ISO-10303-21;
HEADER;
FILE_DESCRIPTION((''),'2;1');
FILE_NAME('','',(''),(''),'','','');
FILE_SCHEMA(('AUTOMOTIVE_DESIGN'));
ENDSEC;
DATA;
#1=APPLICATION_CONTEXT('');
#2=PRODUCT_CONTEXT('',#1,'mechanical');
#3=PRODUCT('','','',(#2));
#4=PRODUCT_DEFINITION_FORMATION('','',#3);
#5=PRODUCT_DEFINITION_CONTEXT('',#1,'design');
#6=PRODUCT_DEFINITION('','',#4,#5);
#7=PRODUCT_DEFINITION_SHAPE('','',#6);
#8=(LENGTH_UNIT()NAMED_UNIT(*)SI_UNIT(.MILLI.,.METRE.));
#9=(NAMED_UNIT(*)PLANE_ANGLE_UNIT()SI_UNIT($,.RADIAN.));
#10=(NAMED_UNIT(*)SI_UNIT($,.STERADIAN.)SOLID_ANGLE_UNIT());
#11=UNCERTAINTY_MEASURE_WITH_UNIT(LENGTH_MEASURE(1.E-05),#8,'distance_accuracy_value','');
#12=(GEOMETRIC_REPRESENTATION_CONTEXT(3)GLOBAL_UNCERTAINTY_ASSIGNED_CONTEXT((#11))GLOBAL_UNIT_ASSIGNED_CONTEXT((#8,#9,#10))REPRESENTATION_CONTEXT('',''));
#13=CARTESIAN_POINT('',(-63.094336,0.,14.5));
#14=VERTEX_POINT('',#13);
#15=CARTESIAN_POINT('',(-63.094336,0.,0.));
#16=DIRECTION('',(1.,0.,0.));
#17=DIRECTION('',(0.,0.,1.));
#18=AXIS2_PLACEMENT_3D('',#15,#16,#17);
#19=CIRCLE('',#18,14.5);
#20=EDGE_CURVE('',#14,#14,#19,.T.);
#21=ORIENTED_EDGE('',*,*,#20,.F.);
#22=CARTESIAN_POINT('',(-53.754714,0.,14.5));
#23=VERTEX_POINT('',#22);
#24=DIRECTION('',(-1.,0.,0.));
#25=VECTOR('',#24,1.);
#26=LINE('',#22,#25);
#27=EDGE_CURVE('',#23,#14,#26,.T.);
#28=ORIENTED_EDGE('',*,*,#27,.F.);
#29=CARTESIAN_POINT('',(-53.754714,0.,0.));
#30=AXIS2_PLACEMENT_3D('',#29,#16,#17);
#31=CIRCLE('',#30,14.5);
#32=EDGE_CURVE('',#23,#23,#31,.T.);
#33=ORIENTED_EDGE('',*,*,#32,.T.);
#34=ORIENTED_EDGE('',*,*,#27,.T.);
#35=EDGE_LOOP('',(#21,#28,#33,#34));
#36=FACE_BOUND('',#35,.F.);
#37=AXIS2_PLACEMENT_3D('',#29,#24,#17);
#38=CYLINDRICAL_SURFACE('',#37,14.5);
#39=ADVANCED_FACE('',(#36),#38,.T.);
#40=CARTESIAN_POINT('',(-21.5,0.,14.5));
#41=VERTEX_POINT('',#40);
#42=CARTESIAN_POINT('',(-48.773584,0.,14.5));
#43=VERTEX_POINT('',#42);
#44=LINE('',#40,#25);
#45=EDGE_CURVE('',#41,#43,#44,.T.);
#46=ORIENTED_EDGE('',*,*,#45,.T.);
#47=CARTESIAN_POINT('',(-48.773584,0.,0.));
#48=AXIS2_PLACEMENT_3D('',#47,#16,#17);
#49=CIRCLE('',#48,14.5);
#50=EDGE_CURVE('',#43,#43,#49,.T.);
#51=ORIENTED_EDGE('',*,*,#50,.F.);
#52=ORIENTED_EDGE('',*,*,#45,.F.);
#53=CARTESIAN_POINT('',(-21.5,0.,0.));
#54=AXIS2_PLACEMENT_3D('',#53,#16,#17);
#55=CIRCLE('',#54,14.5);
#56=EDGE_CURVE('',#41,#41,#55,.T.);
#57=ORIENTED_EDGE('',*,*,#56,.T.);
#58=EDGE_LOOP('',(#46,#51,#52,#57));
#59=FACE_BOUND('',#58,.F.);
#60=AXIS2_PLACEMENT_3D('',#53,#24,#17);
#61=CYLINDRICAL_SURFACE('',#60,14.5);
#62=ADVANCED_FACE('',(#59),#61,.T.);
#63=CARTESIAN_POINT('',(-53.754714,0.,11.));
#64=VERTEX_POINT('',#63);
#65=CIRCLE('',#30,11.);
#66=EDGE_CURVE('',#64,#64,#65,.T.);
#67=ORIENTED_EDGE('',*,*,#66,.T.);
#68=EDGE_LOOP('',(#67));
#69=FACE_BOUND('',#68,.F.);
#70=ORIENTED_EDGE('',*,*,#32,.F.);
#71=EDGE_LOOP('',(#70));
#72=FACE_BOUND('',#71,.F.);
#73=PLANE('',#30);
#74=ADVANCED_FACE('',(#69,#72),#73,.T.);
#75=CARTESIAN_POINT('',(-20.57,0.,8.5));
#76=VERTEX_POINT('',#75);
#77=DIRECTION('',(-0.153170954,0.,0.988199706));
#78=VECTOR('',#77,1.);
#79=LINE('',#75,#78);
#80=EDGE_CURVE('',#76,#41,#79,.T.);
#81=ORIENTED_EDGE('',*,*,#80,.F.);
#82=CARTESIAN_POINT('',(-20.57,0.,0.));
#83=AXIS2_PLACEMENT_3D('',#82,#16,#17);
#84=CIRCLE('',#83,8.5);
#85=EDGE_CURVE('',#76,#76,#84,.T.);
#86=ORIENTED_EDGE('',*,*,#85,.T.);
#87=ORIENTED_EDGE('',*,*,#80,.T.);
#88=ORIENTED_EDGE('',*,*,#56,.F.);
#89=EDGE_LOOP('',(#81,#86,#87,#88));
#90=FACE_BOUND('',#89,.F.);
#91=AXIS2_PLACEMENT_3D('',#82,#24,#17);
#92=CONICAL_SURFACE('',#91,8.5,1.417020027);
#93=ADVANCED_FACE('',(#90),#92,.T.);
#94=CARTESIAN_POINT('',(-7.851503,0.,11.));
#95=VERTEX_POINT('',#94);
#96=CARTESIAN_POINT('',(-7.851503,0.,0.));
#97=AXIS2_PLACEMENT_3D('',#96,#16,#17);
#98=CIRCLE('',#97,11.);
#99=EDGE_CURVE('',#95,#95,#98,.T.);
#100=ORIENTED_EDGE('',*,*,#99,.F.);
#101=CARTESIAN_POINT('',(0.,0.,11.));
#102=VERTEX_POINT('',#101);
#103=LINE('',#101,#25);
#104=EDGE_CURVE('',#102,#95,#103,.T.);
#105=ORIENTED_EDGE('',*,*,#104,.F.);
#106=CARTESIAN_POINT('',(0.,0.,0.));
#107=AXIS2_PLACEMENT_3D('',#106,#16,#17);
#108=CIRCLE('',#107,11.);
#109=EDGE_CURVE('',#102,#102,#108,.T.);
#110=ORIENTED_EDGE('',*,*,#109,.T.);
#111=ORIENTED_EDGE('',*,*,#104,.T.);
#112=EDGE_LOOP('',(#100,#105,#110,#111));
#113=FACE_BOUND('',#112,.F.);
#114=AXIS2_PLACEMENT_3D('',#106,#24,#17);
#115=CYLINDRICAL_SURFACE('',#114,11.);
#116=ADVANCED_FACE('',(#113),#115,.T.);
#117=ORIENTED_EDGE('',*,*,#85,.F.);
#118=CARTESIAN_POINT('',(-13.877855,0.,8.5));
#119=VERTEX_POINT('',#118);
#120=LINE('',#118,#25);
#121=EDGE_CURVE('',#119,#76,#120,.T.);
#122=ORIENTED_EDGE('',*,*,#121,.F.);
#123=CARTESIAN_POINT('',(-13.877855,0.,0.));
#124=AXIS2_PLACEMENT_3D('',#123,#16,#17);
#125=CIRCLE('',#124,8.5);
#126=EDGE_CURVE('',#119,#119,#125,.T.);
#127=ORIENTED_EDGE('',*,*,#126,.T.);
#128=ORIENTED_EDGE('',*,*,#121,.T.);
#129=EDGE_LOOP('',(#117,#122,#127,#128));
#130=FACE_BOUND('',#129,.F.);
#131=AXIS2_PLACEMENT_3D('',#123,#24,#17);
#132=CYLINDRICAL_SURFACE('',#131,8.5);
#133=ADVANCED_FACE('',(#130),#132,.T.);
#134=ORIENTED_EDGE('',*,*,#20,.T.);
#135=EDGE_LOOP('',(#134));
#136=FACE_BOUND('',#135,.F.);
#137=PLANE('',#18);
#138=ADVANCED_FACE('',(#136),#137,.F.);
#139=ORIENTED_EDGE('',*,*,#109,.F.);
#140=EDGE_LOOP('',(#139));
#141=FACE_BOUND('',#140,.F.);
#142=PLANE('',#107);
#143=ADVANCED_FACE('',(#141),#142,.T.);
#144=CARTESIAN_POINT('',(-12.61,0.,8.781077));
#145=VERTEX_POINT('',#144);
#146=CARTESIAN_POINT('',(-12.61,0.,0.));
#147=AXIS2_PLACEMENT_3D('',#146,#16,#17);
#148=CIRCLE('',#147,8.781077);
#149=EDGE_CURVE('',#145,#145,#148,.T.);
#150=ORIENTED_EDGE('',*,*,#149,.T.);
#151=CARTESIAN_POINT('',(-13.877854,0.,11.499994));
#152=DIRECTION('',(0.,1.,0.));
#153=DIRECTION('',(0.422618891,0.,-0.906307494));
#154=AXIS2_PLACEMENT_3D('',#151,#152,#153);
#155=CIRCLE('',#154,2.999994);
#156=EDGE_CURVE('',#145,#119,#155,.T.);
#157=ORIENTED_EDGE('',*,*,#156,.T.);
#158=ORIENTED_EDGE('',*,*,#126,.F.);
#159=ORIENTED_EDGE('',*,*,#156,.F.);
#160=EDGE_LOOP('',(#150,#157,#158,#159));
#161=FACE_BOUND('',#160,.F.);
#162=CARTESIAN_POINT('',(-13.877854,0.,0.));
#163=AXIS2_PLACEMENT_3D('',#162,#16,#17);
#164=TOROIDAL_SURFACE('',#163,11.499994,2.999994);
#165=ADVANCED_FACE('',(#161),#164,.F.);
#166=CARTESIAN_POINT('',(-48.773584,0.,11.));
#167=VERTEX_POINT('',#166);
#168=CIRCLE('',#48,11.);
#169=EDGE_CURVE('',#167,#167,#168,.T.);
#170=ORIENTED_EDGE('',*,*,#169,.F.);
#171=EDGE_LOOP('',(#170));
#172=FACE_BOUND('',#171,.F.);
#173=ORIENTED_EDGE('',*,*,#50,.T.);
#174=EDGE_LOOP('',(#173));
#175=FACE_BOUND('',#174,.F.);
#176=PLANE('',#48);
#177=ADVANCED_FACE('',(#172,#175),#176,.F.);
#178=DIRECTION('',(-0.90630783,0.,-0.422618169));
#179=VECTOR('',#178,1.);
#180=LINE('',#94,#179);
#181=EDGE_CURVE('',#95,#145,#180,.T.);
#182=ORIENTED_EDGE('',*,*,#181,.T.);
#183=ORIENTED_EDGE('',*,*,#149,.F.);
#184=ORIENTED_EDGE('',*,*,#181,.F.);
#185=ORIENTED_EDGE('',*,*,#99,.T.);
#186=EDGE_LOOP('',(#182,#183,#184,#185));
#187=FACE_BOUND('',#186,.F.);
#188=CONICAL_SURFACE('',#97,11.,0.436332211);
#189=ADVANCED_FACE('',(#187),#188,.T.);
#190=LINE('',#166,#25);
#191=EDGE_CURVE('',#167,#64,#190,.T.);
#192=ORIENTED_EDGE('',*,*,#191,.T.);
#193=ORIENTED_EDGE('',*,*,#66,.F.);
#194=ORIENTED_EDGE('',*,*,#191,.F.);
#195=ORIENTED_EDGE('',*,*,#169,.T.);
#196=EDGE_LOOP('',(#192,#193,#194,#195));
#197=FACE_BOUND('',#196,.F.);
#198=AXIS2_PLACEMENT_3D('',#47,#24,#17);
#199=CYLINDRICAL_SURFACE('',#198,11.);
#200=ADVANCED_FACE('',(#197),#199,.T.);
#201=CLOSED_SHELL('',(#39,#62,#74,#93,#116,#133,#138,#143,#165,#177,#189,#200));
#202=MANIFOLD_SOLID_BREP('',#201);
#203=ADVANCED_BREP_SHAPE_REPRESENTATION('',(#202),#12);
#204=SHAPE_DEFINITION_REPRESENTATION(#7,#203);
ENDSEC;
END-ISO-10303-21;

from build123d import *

# Parameters (mm, degrees)
F2_R     = 6
F3_DEPTH = 25


with BuildPart() as f1:
    # F0 (on Front) → F1 (revolve)
    with BuildSketch(Plane.XZ):
        with BuildLine():
            Line((0, 0), (0, 11))
            Line((0, 11), (-7.851503, 11))
            Line((-7.851503, 11), (-12.61, 8.781077))
            ThreePointArc((-12.61, 8.781077), (-13.228536, 8.571112), (-13.877855, 8.5))
            Line((-13.877855, 8.5), (-20.57, 8.5))
            Line((-20.57, 8.5), (-21.5, 14.5))
            Line((-21.5, 14.5), (-30.571486, 14.5))
            Line((-30.571486, 14.5), (-48.773584, 14.5))
            Line((-48.773584, 14.5), (-48.773584, 11))
            Line((-48.773584, 11), (-53.754714, 11))
            Line((-53.754714, 11), (-53.754714, 14.5))
            Line((-53.754714, 14.5), (-63.094336, 14.5))
            Line((-63.094336, 14.5), (-63.094336, 0))
            Line((-63.094336, 0), (0, 0))
        make_face()
    revolve(axis=Axis((-31.547168, 0, 0), (1, 0, 0)))

    # F2 (on face) → F3 (join)
    with BuildSketch(Plane.YZ):
        Circle(F2_R)
    extrude(amount=-F3_DEPTH)


solid = f1.part
